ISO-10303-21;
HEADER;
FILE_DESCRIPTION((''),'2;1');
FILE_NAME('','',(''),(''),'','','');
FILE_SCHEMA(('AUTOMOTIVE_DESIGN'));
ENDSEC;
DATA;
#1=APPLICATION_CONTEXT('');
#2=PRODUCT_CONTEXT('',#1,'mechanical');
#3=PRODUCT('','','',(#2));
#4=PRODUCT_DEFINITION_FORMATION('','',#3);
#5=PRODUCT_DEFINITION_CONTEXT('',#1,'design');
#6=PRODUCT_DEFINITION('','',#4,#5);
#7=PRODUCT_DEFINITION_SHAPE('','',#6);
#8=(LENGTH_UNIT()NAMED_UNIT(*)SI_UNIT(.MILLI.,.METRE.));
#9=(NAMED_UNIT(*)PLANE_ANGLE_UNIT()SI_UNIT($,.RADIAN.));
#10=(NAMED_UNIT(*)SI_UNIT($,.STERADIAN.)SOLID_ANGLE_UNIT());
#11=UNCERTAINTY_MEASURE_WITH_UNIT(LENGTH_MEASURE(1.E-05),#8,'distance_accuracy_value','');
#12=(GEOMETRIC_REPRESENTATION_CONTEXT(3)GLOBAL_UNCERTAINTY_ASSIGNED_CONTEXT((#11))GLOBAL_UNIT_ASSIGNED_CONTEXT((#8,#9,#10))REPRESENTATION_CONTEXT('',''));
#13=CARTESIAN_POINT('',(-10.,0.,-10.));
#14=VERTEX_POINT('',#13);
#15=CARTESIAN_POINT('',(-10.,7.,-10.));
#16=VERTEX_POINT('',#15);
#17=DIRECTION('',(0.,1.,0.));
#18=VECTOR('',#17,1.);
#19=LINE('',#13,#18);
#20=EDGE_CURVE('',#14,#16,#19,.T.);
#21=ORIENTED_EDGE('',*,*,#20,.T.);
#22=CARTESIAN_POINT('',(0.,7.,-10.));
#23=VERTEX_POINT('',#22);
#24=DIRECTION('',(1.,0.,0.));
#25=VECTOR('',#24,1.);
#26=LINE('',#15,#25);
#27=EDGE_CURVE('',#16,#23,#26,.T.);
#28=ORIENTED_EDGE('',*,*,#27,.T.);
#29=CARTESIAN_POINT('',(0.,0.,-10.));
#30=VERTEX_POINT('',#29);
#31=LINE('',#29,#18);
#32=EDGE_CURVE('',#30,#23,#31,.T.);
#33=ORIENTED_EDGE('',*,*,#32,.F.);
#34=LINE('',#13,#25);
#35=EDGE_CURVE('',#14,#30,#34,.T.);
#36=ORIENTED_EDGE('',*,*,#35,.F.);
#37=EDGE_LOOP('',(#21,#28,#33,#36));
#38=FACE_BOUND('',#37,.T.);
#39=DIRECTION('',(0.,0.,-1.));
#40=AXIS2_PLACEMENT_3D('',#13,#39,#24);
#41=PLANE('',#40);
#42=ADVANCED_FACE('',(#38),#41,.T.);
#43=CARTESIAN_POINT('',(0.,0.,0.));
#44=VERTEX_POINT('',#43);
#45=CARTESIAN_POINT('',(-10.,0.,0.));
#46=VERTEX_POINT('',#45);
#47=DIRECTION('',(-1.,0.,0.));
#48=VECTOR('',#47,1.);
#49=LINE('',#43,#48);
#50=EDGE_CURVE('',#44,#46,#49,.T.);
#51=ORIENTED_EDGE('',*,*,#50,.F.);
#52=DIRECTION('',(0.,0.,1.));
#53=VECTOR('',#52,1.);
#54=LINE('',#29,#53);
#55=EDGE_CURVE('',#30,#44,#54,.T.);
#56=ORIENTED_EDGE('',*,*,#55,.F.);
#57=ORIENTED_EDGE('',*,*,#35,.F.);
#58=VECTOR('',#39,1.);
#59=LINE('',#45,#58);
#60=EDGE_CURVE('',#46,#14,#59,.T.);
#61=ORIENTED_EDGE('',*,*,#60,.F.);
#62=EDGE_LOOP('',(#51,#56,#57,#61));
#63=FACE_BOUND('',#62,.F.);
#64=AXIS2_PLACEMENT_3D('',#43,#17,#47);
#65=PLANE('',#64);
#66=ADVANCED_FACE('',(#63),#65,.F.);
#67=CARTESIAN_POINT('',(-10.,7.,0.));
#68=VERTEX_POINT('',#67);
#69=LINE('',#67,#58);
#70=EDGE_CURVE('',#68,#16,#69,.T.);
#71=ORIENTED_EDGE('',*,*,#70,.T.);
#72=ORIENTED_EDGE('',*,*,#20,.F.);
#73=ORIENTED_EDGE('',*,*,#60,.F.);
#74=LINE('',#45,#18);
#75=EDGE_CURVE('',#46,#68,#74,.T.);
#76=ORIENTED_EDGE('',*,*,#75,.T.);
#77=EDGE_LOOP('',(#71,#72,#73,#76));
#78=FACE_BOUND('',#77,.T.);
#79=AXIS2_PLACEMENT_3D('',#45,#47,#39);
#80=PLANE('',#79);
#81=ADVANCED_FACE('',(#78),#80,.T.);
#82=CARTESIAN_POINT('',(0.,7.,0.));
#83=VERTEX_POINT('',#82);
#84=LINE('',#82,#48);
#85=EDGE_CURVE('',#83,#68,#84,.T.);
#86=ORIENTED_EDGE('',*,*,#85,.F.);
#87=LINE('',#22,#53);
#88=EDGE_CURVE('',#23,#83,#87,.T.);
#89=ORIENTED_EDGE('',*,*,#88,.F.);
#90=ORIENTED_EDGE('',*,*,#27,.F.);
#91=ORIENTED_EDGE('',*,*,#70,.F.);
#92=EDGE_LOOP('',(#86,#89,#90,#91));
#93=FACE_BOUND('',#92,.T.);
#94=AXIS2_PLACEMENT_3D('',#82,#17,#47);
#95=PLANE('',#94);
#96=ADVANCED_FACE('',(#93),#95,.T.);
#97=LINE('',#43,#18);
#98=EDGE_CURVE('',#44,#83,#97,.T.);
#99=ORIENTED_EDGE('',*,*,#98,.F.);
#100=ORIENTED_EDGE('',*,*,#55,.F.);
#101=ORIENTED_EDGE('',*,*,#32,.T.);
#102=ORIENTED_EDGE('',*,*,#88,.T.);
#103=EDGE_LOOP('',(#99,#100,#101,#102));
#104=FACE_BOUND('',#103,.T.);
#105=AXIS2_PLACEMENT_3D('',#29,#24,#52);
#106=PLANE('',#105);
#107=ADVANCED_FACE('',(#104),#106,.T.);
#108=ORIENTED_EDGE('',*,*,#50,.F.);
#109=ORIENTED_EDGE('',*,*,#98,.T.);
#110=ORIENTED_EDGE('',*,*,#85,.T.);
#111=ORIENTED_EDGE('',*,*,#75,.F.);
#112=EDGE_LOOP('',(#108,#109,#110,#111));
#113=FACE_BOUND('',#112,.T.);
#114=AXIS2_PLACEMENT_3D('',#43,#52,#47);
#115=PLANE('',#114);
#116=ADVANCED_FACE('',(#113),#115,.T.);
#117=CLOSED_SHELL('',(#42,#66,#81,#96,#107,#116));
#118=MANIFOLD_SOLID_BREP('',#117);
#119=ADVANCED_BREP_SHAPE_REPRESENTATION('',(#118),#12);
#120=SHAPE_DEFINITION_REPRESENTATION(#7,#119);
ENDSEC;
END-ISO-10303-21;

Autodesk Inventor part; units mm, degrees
ref_plane "YZ Plane" through (0, 0, 0) normal (1, 0, 0) x (0, 1, 0)
ref_plane "XZ Plane" through (0, 0, 0) normal (0, 1, 0) x (-1, 0, 0)
ref_plane "XY Plane" through (0, 0, 0) normal (0, 0, 1) x (1, 0, 0)
sketch "Sketch1" plane through (0, 0, 0) normal (0, 1, 0) x (-1, 0, 0)
  line L0 (0, 0) -> (10, 0)
  line L1 (10, 0) -> (10, -10)
  line L2 (10, -10) -> (0, -10)
  line L3 (0, -10) -> (0, 0)
  dimension "d0" = 10
  dimension "d1" = 10
extrude "Extrusion1" add sketch "Sketch1" along normal blind 7
properties part number "Box 7mm"
